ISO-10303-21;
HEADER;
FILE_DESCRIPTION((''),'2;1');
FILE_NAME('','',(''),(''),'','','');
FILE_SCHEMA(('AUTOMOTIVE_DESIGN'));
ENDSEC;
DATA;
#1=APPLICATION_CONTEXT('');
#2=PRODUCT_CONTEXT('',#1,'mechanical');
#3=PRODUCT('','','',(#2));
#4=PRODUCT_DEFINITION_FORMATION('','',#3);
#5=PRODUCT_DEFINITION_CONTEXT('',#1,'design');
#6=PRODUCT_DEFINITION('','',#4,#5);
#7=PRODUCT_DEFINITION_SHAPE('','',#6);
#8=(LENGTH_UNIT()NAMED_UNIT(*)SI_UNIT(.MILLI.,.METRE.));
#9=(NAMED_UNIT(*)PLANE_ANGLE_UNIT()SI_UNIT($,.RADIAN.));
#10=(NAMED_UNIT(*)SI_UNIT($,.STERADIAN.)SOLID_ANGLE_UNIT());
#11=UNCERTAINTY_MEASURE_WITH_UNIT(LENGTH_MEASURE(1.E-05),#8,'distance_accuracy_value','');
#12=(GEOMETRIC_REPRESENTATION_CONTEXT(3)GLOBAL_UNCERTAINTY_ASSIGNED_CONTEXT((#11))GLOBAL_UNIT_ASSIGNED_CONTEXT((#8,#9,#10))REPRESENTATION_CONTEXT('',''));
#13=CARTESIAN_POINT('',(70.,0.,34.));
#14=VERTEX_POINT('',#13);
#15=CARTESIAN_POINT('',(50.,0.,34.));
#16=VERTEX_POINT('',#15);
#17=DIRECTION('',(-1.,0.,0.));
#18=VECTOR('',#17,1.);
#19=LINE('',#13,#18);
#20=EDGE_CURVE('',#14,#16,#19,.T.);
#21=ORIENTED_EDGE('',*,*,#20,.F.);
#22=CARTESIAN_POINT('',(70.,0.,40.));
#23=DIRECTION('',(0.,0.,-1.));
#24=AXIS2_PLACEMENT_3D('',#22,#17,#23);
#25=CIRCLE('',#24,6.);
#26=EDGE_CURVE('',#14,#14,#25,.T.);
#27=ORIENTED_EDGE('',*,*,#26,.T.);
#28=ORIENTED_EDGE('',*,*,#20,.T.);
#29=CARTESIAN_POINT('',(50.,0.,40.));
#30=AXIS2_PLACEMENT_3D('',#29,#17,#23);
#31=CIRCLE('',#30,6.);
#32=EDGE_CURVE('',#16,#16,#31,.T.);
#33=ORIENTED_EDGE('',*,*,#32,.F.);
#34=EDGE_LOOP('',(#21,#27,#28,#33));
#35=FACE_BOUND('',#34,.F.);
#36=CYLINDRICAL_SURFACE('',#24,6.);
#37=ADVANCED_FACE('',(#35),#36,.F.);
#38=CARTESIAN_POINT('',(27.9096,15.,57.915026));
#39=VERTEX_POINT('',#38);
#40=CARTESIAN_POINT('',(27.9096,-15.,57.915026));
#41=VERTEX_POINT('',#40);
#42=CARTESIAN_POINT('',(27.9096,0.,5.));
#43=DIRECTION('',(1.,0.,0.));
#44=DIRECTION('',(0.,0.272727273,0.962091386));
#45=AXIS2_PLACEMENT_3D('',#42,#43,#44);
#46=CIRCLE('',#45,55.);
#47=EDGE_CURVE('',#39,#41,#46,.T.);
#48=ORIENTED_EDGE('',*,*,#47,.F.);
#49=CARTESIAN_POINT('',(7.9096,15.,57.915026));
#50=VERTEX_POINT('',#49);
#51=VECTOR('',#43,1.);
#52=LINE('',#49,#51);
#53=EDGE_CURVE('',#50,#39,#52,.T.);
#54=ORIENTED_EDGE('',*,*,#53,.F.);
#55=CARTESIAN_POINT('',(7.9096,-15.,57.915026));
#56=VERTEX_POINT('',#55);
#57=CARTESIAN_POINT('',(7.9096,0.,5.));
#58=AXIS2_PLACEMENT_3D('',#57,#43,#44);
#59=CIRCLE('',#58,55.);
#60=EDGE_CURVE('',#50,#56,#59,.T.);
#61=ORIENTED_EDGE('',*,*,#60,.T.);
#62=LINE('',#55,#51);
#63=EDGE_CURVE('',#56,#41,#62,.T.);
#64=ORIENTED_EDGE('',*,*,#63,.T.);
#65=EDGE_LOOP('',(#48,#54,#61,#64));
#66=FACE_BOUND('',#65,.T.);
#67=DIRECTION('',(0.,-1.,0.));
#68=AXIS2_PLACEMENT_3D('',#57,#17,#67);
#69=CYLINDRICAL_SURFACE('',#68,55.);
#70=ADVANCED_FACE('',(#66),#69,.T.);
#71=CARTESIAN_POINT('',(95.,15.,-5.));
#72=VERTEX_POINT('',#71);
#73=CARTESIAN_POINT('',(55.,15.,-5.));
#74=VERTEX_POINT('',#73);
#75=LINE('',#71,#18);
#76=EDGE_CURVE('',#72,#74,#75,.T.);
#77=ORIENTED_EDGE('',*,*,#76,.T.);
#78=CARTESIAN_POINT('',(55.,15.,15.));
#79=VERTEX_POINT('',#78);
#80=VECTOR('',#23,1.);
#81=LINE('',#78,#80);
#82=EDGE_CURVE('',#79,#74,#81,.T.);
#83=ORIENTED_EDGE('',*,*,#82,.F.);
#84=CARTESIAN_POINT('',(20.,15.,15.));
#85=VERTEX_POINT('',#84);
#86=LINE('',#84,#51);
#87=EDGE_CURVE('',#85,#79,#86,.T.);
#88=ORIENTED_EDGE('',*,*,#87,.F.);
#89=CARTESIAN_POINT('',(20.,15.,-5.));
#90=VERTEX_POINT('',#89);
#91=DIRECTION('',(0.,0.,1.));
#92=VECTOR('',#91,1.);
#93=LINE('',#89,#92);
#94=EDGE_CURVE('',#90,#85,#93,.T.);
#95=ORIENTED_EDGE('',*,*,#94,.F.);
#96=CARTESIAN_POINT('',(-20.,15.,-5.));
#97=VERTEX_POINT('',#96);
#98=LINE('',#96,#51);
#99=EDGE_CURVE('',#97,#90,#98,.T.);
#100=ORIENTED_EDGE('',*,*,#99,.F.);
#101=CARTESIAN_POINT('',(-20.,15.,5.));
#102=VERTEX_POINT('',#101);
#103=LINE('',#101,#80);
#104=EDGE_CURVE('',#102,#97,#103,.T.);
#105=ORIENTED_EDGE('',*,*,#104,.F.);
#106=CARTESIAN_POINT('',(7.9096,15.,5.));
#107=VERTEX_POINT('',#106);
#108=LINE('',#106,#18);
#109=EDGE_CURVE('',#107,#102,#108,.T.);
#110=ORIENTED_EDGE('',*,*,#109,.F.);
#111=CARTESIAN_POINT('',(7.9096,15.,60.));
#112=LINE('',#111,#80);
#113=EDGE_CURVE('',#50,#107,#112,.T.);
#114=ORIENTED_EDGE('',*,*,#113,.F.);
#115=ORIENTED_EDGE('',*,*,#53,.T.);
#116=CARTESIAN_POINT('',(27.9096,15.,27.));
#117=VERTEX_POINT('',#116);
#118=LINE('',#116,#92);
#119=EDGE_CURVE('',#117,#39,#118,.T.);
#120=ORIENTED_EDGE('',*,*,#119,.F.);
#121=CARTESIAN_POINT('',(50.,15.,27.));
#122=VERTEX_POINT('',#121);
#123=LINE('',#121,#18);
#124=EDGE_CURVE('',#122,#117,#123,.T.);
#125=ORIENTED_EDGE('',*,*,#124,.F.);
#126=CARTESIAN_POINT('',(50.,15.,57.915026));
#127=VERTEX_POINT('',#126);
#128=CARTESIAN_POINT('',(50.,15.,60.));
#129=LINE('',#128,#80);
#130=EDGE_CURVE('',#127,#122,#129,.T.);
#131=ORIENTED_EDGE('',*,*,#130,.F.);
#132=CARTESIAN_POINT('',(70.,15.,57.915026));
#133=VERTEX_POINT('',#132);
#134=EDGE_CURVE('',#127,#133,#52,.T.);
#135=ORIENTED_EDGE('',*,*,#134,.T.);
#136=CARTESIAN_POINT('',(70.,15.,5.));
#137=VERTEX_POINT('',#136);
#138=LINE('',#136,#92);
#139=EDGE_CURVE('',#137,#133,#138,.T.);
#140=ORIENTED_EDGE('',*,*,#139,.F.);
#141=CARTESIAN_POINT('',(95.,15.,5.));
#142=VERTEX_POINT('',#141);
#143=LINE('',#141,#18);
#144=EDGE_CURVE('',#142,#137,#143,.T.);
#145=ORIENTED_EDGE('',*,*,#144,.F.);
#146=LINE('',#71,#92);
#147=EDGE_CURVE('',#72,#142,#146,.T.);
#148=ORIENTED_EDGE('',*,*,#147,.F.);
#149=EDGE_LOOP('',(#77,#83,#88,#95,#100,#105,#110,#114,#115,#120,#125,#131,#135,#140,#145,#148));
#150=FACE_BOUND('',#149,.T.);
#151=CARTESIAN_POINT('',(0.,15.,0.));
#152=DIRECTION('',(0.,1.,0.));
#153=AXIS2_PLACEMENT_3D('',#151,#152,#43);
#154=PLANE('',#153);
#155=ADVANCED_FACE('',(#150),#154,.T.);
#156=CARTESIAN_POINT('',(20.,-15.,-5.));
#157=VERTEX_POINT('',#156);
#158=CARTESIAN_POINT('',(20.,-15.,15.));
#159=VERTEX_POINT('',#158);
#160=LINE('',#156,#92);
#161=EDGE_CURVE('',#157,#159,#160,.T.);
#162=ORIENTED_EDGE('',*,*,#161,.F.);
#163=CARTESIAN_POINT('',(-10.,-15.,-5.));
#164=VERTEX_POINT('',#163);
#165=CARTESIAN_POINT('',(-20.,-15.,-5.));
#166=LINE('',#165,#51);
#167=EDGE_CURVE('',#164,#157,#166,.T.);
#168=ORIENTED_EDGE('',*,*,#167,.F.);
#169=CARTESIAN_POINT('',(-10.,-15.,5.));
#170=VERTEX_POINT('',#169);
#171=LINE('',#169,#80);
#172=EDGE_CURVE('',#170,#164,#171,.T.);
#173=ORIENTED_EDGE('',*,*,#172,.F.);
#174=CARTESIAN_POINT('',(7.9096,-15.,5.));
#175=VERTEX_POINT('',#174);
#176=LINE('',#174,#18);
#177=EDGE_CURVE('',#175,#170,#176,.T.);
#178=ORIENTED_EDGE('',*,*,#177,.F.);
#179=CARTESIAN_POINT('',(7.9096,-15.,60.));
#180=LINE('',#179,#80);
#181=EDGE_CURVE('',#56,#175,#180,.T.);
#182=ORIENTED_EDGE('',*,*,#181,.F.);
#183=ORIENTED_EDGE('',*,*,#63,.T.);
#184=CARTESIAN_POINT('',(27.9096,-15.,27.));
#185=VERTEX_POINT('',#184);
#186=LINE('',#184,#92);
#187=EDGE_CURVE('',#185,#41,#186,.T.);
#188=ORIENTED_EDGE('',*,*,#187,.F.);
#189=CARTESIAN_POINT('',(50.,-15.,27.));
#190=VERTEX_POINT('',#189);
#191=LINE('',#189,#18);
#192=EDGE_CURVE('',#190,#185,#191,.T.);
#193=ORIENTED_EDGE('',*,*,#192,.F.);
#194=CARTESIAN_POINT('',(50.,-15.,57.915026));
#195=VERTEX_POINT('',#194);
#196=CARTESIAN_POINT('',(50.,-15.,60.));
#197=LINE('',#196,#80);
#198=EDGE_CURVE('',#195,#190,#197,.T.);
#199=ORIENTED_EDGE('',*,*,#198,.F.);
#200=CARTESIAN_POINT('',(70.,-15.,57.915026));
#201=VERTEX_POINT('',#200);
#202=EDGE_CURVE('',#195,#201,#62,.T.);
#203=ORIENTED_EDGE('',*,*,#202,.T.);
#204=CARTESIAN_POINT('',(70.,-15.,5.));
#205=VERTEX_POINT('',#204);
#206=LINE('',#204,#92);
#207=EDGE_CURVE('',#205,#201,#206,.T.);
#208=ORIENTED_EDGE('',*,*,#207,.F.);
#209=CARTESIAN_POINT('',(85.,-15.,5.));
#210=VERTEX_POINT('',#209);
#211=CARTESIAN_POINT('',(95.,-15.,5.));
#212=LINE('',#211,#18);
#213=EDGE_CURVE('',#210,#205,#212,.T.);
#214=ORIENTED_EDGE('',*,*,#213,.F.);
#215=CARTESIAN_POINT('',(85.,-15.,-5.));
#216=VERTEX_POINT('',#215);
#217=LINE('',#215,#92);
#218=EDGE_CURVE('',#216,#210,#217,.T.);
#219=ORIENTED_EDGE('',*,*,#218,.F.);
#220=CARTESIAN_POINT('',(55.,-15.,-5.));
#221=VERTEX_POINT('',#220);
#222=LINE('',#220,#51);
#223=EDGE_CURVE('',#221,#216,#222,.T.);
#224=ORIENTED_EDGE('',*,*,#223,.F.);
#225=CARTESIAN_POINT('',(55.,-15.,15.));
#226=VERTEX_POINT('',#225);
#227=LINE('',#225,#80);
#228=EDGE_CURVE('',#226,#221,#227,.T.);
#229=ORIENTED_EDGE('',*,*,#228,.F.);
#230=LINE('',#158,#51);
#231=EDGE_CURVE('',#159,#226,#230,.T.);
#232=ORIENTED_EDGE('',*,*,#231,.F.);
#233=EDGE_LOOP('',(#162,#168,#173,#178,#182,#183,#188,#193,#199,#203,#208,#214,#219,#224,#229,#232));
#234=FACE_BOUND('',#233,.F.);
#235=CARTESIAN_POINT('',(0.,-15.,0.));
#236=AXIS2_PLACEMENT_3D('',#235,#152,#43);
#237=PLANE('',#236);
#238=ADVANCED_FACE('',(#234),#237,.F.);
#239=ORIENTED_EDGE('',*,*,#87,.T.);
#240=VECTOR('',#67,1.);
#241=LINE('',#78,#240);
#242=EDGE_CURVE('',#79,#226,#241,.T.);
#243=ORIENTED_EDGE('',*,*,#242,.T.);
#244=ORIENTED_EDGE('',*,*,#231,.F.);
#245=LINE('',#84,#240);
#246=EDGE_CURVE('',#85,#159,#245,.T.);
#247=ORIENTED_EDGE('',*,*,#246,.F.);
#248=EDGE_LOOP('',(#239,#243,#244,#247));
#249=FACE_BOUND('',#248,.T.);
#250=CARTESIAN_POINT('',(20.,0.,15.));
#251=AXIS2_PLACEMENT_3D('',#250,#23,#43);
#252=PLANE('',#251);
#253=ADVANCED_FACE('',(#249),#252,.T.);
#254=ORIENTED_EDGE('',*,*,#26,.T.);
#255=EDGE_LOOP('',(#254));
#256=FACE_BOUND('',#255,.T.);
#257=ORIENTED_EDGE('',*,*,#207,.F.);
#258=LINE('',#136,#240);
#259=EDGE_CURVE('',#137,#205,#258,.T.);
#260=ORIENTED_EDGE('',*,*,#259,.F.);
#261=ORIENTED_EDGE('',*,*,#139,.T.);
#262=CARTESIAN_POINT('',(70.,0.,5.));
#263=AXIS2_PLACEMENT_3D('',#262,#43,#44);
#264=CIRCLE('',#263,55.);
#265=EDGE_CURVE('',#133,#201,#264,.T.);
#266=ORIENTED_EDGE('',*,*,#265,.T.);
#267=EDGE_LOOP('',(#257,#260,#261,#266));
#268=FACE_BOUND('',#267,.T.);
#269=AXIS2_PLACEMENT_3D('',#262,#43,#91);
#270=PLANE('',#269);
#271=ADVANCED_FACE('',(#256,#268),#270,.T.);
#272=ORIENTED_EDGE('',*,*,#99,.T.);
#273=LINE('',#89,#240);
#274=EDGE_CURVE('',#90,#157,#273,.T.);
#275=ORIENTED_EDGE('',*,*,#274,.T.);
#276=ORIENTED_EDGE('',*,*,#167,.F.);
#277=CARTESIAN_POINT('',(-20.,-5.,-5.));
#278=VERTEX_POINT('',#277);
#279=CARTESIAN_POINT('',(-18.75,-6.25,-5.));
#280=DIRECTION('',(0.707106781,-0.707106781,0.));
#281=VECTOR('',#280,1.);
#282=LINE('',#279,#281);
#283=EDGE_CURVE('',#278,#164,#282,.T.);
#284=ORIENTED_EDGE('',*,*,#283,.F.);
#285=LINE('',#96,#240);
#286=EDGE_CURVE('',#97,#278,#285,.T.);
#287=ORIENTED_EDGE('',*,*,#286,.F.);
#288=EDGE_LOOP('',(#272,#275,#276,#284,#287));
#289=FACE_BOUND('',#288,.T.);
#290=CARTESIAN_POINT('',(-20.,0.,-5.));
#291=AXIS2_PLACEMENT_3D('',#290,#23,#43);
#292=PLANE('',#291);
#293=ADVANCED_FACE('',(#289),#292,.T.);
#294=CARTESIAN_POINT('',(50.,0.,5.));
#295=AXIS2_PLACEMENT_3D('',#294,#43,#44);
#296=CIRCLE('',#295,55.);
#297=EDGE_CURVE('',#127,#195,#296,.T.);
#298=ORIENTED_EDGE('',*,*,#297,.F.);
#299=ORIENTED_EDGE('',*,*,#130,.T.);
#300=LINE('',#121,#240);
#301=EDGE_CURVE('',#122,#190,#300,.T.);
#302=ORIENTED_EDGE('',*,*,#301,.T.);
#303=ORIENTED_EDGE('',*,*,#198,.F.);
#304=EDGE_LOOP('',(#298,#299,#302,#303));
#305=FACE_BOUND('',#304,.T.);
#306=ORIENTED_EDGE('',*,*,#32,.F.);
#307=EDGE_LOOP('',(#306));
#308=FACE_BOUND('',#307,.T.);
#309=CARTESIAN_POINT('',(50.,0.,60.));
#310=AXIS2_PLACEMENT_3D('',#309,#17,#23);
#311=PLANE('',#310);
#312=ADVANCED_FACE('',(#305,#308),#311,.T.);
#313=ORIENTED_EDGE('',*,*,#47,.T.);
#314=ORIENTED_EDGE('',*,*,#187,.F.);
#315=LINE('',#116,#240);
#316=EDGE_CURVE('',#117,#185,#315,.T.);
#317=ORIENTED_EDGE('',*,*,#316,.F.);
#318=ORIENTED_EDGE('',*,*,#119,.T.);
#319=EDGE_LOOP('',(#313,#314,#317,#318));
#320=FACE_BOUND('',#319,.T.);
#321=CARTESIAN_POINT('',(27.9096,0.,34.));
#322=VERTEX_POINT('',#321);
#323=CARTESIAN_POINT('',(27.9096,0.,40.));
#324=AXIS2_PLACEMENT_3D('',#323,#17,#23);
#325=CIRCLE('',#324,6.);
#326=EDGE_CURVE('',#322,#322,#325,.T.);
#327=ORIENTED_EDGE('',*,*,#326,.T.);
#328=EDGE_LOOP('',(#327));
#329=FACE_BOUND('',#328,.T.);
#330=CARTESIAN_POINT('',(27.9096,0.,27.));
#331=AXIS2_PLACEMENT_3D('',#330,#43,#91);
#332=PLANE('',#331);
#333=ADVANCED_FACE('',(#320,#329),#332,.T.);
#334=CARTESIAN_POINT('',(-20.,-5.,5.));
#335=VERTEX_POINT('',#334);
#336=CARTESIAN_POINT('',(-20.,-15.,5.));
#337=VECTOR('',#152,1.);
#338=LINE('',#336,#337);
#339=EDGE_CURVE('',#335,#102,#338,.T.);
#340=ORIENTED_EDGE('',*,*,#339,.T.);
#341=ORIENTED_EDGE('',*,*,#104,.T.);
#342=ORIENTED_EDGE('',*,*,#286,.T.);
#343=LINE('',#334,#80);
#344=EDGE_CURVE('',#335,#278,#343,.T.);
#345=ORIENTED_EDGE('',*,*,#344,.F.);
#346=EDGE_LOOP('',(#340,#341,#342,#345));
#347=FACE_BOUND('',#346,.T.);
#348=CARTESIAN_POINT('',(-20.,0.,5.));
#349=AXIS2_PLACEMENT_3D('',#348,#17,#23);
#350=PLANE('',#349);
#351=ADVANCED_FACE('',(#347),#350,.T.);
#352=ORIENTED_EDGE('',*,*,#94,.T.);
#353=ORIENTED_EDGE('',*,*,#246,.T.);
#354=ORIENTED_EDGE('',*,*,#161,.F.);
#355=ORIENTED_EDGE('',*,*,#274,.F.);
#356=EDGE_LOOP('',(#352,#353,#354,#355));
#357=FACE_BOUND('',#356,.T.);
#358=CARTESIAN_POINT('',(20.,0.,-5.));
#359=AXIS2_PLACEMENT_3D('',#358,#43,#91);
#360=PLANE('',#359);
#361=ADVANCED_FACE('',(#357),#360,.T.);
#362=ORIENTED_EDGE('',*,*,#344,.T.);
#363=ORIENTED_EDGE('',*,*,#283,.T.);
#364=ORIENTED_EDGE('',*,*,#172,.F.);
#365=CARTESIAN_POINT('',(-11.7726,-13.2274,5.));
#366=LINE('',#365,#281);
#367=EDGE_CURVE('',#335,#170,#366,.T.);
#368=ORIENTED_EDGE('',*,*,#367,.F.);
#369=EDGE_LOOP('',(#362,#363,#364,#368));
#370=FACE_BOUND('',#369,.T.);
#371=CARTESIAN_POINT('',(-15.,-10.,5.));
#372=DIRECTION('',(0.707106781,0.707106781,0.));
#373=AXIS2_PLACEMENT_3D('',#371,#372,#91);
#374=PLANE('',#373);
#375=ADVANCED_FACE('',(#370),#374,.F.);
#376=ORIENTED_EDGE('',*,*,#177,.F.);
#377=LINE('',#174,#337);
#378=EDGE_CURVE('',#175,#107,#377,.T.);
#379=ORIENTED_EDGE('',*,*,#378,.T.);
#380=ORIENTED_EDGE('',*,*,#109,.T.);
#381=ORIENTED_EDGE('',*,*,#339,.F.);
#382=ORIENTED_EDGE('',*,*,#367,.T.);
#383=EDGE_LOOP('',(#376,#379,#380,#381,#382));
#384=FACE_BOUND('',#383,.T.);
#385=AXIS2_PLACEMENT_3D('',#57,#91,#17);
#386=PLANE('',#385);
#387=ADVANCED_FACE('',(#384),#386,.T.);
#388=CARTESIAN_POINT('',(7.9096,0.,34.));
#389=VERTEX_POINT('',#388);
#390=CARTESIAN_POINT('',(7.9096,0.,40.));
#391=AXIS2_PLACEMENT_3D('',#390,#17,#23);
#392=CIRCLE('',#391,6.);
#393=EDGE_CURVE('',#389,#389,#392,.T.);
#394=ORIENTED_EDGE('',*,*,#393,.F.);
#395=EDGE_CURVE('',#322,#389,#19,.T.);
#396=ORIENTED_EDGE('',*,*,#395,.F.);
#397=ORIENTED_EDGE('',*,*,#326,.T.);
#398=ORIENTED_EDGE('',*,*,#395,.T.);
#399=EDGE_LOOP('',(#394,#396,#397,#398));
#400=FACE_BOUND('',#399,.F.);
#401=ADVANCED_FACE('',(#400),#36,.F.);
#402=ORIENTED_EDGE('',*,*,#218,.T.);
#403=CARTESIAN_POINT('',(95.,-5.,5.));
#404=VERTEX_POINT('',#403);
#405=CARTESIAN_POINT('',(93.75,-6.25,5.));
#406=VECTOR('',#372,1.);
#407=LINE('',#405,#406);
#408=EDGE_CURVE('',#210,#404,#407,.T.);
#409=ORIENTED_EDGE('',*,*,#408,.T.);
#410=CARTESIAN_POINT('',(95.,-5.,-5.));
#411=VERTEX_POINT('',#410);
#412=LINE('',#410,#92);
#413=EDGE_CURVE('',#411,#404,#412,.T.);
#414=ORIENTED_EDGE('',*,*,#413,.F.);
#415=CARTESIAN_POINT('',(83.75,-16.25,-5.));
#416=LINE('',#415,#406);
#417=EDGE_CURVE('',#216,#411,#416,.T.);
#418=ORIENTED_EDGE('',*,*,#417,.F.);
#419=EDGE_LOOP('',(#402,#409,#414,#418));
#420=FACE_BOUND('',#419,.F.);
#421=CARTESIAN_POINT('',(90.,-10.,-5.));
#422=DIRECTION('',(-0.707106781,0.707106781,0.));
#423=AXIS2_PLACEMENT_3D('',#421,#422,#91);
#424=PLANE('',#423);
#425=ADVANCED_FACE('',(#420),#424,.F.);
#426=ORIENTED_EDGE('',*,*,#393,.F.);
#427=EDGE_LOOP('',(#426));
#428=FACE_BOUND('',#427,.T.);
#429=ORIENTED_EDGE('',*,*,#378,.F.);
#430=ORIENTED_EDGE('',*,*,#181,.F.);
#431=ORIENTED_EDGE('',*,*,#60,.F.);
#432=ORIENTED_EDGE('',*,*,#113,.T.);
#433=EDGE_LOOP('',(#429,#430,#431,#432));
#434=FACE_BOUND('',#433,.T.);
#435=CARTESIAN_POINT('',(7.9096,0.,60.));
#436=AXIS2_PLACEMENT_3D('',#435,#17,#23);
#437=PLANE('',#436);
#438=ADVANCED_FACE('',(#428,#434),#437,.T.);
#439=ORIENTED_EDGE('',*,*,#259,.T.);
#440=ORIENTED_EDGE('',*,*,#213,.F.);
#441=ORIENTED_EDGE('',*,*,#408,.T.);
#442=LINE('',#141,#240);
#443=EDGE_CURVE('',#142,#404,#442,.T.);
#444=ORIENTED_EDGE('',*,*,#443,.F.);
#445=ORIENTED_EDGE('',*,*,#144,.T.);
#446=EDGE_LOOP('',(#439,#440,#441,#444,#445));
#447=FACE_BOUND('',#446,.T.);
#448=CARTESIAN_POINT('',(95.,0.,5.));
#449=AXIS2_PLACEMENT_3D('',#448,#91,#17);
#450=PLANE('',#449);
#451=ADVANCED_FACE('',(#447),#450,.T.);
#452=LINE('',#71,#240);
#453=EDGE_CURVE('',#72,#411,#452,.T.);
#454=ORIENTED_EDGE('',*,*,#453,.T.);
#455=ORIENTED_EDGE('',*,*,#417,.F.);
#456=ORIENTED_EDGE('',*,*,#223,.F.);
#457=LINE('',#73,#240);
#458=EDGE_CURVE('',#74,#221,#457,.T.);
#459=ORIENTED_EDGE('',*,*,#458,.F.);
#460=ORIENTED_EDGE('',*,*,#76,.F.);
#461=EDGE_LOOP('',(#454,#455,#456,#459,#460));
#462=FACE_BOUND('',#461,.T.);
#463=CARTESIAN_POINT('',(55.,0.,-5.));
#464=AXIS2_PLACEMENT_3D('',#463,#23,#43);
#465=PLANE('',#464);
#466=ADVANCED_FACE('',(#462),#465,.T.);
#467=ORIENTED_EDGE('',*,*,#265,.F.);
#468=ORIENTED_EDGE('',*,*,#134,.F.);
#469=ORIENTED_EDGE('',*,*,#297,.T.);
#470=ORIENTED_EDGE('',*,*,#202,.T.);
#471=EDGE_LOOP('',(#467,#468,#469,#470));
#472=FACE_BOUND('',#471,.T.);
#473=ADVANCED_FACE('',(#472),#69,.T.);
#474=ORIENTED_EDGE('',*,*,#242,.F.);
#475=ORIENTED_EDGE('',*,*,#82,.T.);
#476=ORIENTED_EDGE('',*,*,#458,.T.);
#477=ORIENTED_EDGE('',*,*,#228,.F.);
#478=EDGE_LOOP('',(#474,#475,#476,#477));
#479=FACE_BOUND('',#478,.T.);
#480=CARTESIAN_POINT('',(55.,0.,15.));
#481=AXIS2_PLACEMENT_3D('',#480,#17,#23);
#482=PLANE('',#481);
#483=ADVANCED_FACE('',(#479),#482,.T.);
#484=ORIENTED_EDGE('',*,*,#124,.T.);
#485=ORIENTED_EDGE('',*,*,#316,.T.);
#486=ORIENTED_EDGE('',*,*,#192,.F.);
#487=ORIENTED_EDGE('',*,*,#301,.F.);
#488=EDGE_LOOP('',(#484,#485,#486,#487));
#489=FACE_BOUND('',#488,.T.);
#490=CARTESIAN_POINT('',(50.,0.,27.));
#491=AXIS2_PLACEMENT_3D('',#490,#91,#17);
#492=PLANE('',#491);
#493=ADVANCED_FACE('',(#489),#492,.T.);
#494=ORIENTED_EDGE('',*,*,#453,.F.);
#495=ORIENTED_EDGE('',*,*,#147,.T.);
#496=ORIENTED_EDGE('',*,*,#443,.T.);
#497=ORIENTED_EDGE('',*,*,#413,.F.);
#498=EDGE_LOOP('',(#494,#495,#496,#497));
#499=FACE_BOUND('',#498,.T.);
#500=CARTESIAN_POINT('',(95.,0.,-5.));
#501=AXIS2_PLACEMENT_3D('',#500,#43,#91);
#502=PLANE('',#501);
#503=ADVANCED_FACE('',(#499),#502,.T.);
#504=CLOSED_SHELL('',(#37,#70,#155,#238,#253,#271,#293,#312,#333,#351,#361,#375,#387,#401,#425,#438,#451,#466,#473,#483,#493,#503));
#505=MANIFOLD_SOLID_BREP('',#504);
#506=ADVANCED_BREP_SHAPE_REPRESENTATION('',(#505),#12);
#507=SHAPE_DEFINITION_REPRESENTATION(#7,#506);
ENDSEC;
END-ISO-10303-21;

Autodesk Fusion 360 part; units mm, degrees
sketch "Sketch1" plane through (0, 0, 0) normal (0, 1, 0) x (1, 0, 0)
  line L0 (-20, -5) -> (-20, 5)
  line L1 (-20, 5) -> (20, 5)
  line L2 (20, 5) -> (20, -15)
  line L3 (20, -15) -> (55, -15)
  line L4 (55, -15) -> (55, 5)
  line L5 (55, 5) -> (85, 5)
  line L6 (85, 5) -> (95, 5)
  line L7 (95, 5) -> (95, -5)
  line L8 (95, -5) -> (70, -5)
  line L9 (70, -5) -> (70, -60)
  line L10 (70, -60) -> (50, -60)
  line L11 (50, -60) -> (50, -27)
  line L12 (50, -27) -> (27.9096, -27)
  line L13 (27.9096, -27) -> (27.9096, -60)
  line L14 (27.9096, -60) -> (7.9096, -60)
  line L15 (7.9096, -60) -> (7.9096, -5)
  line L16 (7.9096, -5) -> (-20, -5)
  dimension "d2" = 20
extrude "Extrude1" add sketch "Sketch1" along normal mid plane 30
chamfer "Chamfer1" distance 10 angle 45 2 edges at (-20, -15, 0) (95, -15, 0)
sketch "Sketch2" plane through (70, 0, 0) normal (1, 0, 0) x (0, 1, 0)
  line L0 (-15, 5) -> (15, 5)
  line L1 (15, 5) -> (15, 60)
  line L2 (15, 60) -> (-15, 60)
  line L3 (-15, 60) -> (-15, 5)
  point P0 (0, 40)
hole "Hole1" at (70, 0, 40) direction (-1, 0, 0) diameter 12 depth 65 tip angle 118
sketch "Sketch4" plane through (7.9096, 0, 0) normal (-1, 0, 0) x (0, -1, 0)
  circle A0 centre (0, 40) radius 6
  line L0 (15, 60) -> (-15, 60)
  line L1 (-15, 60) -> (-15, 5)
  line L2 (-15, 5) -> (15, 5)
  line L3 (15, 5) -> (15, 60)
  circle A1 centre (0, 5) radius 55
extrude "Extrude2" cut sketch "Sketch4" against normal blind 12311 contours L0 L3 A1 | L0 L1 A1
